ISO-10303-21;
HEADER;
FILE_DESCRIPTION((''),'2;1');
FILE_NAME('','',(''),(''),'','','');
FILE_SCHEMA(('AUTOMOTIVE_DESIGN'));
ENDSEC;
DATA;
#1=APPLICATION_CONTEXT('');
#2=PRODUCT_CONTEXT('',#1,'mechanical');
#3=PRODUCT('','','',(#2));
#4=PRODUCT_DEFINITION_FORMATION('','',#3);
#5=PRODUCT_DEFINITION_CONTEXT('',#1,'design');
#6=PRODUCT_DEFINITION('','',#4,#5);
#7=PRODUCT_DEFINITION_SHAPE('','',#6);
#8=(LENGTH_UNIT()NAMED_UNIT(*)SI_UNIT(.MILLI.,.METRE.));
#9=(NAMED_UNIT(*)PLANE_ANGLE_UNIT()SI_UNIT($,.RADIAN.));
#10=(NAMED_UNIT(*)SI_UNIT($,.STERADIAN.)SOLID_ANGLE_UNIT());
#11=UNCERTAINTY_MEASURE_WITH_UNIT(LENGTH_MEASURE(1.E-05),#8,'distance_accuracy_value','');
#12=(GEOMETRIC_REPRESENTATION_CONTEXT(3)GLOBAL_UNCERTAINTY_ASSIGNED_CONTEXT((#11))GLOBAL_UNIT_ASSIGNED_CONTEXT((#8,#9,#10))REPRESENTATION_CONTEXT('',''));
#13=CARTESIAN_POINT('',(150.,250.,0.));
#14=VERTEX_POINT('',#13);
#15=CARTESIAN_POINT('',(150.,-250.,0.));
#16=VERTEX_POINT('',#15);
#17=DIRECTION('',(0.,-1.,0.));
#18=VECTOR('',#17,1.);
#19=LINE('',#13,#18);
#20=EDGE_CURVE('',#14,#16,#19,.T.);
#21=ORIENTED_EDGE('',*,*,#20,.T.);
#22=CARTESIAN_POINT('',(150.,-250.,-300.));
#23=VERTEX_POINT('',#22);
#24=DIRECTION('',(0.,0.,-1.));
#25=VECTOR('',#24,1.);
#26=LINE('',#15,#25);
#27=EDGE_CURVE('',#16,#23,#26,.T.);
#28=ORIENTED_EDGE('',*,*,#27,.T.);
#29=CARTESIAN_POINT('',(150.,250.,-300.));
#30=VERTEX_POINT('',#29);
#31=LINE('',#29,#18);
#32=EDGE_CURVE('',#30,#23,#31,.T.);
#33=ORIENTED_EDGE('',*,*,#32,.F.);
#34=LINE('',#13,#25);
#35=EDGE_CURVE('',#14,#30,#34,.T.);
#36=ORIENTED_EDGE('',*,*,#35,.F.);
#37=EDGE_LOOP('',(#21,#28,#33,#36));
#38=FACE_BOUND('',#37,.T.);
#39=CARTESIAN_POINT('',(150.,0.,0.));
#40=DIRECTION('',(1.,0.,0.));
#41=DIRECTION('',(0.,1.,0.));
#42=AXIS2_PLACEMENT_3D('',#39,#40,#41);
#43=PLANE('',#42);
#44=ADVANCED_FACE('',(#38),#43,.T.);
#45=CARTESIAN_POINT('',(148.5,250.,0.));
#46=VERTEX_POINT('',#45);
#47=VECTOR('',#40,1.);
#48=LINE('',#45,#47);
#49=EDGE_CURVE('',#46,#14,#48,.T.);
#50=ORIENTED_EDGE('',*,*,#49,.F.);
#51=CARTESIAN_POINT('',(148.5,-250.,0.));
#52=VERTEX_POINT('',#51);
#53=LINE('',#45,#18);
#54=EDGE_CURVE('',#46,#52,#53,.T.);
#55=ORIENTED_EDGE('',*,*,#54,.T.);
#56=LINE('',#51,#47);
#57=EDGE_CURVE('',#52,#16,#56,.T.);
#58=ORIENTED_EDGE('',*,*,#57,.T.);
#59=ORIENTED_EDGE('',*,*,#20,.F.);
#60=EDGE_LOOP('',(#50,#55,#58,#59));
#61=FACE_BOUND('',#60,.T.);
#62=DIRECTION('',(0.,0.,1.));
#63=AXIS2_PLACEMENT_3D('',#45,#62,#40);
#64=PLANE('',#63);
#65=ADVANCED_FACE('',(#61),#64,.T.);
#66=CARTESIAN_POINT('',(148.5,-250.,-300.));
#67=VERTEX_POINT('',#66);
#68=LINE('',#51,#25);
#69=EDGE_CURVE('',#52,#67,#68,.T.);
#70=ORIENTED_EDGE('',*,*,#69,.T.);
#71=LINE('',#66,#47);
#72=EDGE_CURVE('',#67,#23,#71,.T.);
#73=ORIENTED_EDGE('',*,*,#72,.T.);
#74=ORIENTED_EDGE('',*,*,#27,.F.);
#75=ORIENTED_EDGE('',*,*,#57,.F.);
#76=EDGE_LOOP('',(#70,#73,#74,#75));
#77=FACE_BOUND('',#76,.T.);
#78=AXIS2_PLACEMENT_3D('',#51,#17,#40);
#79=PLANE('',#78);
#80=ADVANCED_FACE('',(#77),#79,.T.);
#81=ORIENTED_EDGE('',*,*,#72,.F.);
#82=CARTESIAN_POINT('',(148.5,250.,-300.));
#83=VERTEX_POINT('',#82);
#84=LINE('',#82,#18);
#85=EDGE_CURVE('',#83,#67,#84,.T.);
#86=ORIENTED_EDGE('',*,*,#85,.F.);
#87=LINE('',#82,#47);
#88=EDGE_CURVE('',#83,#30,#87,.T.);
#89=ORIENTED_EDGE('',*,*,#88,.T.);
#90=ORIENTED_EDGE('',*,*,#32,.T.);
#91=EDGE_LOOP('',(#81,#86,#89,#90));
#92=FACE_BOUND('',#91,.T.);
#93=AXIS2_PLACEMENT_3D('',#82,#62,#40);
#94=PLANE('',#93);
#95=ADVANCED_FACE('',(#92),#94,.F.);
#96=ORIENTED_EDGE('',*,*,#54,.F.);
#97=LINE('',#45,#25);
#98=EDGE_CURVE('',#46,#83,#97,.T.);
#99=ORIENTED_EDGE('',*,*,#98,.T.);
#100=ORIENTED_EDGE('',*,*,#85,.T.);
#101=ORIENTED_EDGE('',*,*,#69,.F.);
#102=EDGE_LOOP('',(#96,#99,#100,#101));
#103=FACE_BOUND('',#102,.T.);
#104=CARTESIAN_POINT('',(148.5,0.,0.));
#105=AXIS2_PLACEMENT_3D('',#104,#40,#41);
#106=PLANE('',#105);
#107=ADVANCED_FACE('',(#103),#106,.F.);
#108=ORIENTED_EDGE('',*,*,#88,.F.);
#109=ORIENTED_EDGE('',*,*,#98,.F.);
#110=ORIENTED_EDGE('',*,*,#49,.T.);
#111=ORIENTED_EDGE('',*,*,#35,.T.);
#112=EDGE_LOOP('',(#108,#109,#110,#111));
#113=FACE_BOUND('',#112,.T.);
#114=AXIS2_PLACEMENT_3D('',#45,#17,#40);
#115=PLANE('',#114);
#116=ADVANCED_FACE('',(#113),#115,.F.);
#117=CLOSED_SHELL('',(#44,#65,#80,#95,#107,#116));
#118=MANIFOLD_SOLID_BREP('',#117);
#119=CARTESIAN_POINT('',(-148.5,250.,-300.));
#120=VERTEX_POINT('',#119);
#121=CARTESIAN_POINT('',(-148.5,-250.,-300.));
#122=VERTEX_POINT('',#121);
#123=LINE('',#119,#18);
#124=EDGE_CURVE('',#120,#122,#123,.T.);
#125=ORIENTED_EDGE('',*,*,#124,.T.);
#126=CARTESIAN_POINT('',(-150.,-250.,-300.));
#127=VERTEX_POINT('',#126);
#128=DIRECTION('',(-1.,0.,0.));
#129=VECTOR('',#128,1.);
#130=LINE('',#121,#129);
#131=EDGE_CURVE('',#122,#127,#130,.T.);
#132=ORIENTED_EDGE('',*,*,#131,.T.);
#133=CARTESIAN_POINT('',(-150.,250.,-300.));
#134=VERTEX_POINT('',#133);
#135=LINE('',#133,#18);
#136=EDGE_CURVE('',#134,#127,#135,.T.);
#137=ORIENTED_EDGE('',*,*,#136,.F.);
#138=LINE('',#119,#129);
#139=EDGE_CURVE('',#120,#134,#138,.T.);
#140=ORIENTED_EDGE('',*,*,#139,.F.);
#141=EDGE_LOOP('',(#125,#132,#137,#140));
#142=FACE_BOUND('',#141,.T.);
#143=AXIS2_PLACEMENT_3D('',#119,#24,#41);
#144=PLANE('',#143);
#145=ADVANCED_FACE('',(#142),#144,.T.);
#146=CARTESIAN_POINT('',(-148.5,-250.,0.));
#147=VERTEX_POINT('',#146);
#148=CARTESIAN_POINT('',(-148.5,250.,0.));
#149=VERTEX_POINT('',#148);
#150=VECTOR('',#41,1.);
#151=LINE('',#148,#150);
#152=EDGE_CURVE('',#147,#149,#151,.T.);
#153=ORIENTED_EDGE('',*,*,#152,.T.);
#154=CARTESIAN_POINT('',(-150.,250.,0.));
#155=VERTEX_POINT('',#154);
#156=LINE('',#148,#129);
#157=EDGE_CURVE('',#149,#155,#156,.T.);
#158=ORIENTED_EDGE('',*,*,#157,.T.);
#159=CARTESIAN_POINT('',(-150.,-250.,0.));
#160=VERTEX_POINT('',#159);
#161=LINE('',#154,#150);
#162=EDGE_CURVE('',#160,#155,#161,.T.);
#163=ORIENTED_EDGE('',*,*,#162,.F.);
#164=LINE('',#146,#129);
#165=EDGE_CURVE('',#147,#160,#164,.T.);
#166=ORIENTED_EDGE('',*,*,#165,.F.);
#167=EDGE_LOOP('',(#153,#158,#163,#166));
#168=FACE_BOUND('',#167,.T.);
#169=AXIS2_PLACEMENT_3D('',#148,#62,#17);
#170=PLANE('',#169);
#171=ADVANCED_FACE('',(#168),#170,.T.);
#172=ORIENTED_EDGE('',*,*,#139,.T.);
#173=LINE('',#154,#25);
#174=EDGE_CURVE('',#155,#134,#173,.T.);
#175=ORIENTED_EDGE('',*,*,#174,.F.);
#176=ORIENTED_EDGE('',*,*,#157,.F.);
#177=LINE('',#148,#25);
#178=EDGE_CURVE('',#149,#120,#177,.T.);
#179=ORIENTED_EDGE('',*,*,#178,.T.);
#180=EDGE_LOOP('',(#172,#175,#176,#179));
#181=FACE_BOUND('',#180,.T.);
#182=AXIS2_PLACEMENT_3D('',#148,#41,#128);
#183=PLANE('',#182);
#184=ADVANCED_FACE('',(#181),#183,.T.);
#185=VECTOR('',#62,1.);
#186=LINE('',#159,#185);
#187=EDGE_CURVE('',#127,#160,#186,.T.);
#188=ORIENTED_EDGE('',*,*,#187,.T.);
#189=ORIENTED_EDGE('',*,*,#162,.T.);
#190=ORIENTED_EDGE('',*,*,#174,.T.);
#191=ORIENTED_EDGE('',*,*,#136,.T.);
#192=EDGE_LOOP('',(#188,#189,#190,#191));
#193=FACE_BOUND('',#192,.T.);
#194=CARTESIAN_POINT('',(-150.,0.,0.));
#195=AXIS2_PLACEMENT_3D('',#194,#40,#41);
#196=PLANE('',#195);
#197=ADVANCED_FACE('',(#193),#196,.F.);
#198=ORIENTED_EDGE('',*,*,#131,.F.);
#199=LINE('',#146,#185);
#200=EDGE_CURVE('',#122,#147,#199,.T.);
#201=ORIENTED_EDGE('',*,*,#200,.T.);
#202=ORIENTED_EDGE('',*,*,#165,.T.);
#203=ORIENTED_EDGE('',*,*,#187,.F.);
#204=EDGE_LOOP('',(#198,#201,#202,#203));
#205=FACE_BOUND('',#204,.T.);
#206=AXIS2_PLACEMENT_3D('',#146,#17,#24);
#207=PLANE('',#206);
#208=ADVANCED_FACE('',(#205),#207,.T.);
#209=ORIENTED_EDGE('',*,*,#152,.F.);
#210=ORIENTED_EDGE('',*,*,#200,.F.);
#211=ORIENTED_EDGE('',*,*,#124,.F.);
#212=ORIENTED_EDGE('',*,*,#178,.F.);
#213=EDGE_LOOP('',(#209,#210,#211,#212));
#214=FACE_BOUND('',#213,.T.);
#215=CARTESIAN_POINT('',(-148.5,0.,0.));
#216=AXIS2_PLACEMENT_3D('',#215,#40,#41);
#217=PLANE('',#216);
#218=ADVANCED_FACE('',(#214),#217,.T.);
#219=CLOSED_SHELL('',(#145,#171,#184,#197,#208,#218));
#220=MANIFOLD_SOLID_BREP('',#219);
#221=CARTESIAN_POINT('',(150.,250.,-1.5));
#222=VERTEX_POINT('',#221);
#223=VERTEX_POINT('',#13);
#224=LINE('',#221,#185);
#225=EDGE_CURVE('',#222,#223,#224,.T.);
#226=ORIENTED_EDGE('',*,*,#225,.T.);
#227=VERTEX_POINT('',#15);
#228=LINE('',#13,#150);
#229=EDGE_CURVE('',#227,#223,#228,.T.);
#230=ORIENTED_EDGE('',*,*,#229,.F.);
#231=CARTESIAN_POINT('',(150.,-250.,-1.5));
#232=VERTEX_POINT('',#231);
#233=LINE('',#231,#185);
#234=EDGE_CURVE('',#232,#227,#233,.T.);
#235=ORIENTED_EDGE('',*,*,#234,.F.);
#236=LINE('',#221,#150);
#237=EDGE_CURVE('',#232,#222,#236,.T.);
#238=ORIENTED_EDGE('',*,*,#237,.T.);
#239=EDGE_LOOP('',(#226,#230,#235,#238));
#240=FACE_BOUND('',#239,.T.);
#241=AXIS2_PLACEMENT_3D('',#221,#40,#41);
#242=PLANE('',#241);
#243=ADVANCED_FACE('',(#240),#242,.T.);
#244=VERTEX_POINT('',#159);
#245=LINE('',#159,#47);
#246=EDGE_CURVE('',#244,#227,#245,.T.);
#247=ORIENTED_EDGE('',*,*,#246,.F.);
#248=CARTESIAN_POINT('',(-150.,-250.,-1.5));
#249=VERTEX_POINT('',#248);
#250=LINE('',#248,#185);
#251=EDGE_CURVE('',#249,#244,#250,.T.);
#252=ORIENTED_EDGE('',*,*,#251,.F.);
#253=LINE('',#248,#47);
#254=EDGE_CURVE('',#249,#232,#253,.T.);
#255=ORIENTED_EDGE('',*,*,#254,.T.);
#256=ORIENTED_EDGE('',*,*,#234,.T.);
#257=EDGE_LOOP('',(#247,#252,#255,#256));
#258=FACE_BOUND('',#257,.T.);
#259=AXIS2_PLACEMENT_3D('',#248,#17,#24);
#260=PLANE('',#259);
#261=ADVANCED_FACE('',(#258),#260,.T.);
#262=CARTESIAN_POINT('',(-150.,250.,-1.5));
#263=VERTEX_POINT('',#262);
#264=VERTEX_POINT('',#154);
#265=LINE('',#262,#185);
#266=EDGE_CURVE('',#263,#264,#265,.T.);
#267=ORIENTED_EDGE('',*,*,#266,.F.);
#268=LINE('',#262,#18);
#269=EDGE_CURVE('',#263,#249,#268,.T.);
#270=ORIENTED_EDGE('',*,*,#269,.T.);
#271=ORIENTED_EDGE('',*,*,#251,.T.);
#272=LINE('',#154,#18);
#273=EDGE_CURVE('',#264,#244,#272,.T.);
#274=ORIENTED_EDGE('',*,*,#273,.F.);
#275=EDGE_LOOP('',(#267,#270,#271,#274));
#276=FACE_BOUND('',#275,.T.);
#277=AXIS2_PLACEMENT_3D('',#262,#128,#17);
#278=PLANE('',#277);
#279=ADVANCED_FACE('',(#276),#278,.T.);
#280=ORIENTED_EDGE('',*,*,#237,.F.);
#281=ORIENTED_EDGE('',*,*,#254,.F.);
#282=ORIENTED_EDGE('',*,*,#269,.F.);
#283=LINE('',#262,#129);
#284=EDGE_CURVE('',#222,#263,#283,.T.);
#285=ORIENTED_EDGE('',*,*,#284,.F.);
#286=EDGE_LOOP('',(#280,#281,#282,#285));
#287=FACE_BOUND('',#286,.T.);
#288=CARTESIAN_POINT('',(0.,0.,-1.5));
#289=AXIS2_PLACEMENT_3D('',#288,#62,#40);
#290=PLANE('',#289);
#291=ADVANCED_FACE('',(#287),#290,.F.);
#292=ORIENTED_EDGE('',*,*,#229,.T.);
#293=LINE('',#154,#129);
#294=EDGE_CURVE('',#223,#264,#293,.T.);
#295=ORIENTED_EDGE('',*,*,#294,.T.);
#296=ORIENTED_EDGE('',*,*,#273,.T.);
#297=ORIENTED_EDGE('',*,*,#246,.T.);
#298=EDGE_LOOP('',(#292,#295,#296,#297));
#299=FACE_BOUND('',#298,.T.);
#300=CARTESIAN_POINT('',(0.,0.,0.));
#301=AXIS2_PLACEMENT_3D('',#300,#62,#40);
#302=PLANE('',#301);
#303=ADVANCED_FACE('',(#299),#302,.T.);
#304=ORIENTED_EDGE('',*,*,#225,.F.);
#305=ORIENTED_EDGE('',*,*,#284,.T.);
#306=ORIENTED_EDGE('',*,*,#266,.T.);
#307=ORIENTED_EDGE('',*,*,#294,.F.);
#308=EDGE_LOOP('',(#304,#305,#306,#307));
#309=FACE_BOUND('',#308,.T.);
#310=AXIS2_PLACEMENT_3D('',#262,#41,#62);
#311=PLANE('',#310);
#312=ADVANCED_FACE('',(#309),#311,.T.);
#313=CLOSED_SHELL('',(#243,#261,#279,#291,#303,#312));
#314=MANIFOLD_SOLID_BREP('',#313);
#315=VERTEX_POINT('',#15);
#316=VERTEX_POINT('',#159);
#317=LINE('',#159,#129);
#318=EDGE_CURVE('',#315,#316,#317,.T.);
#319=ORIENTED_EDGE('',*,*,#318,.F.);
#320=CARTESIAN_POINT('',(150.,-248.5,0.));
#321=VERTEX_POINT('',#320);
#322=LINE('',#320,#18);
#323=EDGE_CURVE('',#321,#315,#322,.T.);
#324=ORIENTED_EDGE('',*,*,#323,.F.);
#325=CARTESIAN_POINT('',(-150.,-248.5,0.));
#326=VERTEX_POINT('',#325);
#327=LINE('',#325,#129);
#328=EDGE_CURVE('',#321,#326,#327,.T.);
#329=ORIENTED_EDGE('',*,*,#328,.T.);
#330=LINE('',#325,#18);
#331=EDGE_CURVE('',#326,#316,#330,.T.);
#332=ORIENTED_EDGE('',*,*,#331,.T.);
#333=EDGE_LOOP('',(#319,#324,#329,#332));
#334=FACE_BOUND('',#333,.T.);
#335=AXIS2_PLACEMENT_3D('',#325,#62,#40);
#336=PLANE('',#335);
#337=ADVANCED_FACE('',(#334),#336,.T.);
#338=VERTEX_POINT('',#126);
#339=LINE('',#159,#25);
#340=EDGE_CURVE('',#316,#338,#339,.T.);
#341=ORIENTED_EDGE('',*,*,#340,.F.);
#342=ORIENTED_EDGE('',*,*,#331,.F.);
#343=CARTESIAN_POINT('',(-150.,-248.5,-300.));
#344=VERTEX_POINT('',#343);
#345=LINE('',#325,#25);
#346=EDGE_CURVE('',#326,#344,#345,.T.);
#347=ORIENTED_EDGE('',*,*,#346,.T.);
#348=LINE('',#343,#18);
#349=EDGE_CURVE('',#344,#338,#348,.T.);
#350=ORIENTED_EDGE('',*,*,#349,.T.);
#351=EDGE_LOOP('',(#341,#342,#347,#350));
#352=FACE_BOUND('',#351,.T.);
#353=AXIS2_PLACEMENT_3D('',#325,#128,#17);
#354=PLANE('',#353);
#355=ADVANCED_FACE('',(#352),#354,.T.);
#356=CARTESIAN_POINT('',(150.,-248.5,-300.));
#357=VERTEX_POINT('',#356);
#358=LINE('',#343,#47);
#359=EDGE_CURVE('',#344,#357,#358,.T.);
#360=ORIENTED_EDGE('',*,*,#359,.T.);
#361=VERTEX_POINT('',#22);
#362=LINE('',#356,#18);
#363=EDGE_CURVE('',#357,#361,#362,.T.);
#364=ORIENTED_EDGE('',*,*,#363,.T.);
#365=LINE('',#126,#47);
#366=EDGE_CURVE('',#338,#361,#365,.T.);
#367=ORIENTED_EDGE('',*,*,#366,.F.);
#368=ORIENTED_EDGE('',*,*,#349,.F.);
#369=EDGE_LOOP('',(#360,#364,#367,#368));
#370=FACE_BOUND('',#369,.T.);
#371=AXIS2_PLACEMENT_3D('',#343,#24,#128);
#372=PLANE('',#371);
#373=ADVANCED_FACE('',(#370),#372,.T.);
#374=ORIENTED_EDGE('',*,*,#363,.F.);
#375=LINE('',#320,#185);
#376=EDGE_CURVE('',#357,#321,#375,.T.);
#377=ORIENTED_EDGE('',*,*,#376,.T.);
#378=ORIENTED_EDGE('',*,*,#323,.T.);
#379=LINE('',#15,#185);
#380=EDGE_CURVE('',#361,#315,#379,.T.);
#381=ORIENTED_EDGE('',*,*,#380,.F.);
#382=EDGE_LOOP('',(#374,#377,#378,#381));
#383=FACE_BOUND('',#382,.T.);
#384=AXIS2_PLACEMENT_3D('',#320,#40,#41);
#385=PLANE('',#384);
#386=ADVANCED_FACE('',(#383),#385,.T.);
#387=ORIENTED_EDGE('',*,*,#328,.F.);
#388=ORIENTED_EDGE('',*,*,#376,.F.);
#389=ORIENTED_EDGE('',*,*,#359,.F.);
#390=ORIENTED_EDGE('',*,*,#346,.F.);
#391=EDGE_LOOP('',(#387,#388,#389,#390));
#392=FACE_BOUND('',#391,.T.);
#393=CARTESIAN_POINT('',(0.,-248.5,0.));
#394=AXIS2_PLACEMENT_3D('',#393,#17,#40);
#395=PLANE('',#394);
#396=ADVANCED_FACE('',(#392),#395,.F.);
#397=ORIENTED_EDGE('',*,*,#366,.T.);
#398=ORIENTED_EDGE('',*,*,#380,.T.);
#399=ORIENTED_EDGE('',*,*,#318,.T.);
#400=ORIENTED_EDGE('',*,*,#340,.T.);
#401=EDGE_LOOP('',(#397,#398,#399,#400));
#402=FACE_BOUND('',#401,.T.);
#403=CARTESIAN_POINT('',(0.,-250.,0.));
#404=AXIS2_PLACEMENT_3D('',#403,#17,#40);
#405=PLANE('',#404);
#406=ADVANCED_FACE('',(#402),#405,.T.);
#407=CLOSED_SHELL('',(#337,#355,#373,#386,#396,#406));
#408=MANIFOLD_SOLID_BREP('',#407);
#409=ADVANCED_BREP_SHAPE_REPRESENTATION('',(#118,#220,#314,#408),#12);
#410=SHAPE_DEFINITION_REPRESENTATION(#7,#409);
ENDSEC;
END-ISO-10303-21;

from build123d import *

# Parameters (mm, degrees)
SKETCH1_W           = 300
SKETCH1_H           = 500
BOSS_EXTRUDE1_DEPTH = 1.5
SKETCH2_W           = 300
SKETCH2_H           = 500
BOSS_EXTRUDE2_DEPTH = 1.5
SKETCH3_W           = 300
SKETCH3_H           = 500
BOSS_EXTRUDE3_DEPTH = 1.5
SKETCH4_W           = 300
SKETCH4_H           = 300
BOSS_EXTRUDE5_DEPTH = 1.5


with BuildPart() as part:
    # Sketch1 → Boss-Extrude1 (new body)
    with BuildSketch(Plane.XY):
        Rectangle(SKETCH1_W, SKETCH1_H)
    extrude(amount=-BOSS_EXTRUDE1_DEPTH)


with BuildPart() as body_2:
    # Sketch2 → Boss-Extrude2 (new body)
    with BuildSketch(Plane(origin=(150, 0, 0), x_dir=(0, 0, -1), z_dir=(1, 0, 0))):
        with Locations((150, 0)):
            Rectangle(SKETCH2_W, SKETCH2_H)
    extrude(amount=-BOSS_EXTRUDE2_DEPTH)


with BuildPart() as body_3:
    # Sketch3 → Boss-Extrude3 (new body)
    with BuildSketch(Plane.ZY.offset(150)):
        with Locations((-150, 0)):
            Rectangle(SKETCH3_W, SKETCH3_H)
    extrude(amount=-BOSS_EXTRUDE3_DEPTH)


with BuildPart() as body_4:
    # Sketch4 → Boss-Extrude5 (new body)
    with BuildSketch(Plane.XZ.offset(250)):
        with Locations((0, -150)):
            Rectangle(SKETCH4_W, SKETCH4_H)
    extrude(amount=-BOSS_EXTRUDE5_DEPTH)


solid = Compound([part.part, body_2.part, body_3.part, body_4.part])
